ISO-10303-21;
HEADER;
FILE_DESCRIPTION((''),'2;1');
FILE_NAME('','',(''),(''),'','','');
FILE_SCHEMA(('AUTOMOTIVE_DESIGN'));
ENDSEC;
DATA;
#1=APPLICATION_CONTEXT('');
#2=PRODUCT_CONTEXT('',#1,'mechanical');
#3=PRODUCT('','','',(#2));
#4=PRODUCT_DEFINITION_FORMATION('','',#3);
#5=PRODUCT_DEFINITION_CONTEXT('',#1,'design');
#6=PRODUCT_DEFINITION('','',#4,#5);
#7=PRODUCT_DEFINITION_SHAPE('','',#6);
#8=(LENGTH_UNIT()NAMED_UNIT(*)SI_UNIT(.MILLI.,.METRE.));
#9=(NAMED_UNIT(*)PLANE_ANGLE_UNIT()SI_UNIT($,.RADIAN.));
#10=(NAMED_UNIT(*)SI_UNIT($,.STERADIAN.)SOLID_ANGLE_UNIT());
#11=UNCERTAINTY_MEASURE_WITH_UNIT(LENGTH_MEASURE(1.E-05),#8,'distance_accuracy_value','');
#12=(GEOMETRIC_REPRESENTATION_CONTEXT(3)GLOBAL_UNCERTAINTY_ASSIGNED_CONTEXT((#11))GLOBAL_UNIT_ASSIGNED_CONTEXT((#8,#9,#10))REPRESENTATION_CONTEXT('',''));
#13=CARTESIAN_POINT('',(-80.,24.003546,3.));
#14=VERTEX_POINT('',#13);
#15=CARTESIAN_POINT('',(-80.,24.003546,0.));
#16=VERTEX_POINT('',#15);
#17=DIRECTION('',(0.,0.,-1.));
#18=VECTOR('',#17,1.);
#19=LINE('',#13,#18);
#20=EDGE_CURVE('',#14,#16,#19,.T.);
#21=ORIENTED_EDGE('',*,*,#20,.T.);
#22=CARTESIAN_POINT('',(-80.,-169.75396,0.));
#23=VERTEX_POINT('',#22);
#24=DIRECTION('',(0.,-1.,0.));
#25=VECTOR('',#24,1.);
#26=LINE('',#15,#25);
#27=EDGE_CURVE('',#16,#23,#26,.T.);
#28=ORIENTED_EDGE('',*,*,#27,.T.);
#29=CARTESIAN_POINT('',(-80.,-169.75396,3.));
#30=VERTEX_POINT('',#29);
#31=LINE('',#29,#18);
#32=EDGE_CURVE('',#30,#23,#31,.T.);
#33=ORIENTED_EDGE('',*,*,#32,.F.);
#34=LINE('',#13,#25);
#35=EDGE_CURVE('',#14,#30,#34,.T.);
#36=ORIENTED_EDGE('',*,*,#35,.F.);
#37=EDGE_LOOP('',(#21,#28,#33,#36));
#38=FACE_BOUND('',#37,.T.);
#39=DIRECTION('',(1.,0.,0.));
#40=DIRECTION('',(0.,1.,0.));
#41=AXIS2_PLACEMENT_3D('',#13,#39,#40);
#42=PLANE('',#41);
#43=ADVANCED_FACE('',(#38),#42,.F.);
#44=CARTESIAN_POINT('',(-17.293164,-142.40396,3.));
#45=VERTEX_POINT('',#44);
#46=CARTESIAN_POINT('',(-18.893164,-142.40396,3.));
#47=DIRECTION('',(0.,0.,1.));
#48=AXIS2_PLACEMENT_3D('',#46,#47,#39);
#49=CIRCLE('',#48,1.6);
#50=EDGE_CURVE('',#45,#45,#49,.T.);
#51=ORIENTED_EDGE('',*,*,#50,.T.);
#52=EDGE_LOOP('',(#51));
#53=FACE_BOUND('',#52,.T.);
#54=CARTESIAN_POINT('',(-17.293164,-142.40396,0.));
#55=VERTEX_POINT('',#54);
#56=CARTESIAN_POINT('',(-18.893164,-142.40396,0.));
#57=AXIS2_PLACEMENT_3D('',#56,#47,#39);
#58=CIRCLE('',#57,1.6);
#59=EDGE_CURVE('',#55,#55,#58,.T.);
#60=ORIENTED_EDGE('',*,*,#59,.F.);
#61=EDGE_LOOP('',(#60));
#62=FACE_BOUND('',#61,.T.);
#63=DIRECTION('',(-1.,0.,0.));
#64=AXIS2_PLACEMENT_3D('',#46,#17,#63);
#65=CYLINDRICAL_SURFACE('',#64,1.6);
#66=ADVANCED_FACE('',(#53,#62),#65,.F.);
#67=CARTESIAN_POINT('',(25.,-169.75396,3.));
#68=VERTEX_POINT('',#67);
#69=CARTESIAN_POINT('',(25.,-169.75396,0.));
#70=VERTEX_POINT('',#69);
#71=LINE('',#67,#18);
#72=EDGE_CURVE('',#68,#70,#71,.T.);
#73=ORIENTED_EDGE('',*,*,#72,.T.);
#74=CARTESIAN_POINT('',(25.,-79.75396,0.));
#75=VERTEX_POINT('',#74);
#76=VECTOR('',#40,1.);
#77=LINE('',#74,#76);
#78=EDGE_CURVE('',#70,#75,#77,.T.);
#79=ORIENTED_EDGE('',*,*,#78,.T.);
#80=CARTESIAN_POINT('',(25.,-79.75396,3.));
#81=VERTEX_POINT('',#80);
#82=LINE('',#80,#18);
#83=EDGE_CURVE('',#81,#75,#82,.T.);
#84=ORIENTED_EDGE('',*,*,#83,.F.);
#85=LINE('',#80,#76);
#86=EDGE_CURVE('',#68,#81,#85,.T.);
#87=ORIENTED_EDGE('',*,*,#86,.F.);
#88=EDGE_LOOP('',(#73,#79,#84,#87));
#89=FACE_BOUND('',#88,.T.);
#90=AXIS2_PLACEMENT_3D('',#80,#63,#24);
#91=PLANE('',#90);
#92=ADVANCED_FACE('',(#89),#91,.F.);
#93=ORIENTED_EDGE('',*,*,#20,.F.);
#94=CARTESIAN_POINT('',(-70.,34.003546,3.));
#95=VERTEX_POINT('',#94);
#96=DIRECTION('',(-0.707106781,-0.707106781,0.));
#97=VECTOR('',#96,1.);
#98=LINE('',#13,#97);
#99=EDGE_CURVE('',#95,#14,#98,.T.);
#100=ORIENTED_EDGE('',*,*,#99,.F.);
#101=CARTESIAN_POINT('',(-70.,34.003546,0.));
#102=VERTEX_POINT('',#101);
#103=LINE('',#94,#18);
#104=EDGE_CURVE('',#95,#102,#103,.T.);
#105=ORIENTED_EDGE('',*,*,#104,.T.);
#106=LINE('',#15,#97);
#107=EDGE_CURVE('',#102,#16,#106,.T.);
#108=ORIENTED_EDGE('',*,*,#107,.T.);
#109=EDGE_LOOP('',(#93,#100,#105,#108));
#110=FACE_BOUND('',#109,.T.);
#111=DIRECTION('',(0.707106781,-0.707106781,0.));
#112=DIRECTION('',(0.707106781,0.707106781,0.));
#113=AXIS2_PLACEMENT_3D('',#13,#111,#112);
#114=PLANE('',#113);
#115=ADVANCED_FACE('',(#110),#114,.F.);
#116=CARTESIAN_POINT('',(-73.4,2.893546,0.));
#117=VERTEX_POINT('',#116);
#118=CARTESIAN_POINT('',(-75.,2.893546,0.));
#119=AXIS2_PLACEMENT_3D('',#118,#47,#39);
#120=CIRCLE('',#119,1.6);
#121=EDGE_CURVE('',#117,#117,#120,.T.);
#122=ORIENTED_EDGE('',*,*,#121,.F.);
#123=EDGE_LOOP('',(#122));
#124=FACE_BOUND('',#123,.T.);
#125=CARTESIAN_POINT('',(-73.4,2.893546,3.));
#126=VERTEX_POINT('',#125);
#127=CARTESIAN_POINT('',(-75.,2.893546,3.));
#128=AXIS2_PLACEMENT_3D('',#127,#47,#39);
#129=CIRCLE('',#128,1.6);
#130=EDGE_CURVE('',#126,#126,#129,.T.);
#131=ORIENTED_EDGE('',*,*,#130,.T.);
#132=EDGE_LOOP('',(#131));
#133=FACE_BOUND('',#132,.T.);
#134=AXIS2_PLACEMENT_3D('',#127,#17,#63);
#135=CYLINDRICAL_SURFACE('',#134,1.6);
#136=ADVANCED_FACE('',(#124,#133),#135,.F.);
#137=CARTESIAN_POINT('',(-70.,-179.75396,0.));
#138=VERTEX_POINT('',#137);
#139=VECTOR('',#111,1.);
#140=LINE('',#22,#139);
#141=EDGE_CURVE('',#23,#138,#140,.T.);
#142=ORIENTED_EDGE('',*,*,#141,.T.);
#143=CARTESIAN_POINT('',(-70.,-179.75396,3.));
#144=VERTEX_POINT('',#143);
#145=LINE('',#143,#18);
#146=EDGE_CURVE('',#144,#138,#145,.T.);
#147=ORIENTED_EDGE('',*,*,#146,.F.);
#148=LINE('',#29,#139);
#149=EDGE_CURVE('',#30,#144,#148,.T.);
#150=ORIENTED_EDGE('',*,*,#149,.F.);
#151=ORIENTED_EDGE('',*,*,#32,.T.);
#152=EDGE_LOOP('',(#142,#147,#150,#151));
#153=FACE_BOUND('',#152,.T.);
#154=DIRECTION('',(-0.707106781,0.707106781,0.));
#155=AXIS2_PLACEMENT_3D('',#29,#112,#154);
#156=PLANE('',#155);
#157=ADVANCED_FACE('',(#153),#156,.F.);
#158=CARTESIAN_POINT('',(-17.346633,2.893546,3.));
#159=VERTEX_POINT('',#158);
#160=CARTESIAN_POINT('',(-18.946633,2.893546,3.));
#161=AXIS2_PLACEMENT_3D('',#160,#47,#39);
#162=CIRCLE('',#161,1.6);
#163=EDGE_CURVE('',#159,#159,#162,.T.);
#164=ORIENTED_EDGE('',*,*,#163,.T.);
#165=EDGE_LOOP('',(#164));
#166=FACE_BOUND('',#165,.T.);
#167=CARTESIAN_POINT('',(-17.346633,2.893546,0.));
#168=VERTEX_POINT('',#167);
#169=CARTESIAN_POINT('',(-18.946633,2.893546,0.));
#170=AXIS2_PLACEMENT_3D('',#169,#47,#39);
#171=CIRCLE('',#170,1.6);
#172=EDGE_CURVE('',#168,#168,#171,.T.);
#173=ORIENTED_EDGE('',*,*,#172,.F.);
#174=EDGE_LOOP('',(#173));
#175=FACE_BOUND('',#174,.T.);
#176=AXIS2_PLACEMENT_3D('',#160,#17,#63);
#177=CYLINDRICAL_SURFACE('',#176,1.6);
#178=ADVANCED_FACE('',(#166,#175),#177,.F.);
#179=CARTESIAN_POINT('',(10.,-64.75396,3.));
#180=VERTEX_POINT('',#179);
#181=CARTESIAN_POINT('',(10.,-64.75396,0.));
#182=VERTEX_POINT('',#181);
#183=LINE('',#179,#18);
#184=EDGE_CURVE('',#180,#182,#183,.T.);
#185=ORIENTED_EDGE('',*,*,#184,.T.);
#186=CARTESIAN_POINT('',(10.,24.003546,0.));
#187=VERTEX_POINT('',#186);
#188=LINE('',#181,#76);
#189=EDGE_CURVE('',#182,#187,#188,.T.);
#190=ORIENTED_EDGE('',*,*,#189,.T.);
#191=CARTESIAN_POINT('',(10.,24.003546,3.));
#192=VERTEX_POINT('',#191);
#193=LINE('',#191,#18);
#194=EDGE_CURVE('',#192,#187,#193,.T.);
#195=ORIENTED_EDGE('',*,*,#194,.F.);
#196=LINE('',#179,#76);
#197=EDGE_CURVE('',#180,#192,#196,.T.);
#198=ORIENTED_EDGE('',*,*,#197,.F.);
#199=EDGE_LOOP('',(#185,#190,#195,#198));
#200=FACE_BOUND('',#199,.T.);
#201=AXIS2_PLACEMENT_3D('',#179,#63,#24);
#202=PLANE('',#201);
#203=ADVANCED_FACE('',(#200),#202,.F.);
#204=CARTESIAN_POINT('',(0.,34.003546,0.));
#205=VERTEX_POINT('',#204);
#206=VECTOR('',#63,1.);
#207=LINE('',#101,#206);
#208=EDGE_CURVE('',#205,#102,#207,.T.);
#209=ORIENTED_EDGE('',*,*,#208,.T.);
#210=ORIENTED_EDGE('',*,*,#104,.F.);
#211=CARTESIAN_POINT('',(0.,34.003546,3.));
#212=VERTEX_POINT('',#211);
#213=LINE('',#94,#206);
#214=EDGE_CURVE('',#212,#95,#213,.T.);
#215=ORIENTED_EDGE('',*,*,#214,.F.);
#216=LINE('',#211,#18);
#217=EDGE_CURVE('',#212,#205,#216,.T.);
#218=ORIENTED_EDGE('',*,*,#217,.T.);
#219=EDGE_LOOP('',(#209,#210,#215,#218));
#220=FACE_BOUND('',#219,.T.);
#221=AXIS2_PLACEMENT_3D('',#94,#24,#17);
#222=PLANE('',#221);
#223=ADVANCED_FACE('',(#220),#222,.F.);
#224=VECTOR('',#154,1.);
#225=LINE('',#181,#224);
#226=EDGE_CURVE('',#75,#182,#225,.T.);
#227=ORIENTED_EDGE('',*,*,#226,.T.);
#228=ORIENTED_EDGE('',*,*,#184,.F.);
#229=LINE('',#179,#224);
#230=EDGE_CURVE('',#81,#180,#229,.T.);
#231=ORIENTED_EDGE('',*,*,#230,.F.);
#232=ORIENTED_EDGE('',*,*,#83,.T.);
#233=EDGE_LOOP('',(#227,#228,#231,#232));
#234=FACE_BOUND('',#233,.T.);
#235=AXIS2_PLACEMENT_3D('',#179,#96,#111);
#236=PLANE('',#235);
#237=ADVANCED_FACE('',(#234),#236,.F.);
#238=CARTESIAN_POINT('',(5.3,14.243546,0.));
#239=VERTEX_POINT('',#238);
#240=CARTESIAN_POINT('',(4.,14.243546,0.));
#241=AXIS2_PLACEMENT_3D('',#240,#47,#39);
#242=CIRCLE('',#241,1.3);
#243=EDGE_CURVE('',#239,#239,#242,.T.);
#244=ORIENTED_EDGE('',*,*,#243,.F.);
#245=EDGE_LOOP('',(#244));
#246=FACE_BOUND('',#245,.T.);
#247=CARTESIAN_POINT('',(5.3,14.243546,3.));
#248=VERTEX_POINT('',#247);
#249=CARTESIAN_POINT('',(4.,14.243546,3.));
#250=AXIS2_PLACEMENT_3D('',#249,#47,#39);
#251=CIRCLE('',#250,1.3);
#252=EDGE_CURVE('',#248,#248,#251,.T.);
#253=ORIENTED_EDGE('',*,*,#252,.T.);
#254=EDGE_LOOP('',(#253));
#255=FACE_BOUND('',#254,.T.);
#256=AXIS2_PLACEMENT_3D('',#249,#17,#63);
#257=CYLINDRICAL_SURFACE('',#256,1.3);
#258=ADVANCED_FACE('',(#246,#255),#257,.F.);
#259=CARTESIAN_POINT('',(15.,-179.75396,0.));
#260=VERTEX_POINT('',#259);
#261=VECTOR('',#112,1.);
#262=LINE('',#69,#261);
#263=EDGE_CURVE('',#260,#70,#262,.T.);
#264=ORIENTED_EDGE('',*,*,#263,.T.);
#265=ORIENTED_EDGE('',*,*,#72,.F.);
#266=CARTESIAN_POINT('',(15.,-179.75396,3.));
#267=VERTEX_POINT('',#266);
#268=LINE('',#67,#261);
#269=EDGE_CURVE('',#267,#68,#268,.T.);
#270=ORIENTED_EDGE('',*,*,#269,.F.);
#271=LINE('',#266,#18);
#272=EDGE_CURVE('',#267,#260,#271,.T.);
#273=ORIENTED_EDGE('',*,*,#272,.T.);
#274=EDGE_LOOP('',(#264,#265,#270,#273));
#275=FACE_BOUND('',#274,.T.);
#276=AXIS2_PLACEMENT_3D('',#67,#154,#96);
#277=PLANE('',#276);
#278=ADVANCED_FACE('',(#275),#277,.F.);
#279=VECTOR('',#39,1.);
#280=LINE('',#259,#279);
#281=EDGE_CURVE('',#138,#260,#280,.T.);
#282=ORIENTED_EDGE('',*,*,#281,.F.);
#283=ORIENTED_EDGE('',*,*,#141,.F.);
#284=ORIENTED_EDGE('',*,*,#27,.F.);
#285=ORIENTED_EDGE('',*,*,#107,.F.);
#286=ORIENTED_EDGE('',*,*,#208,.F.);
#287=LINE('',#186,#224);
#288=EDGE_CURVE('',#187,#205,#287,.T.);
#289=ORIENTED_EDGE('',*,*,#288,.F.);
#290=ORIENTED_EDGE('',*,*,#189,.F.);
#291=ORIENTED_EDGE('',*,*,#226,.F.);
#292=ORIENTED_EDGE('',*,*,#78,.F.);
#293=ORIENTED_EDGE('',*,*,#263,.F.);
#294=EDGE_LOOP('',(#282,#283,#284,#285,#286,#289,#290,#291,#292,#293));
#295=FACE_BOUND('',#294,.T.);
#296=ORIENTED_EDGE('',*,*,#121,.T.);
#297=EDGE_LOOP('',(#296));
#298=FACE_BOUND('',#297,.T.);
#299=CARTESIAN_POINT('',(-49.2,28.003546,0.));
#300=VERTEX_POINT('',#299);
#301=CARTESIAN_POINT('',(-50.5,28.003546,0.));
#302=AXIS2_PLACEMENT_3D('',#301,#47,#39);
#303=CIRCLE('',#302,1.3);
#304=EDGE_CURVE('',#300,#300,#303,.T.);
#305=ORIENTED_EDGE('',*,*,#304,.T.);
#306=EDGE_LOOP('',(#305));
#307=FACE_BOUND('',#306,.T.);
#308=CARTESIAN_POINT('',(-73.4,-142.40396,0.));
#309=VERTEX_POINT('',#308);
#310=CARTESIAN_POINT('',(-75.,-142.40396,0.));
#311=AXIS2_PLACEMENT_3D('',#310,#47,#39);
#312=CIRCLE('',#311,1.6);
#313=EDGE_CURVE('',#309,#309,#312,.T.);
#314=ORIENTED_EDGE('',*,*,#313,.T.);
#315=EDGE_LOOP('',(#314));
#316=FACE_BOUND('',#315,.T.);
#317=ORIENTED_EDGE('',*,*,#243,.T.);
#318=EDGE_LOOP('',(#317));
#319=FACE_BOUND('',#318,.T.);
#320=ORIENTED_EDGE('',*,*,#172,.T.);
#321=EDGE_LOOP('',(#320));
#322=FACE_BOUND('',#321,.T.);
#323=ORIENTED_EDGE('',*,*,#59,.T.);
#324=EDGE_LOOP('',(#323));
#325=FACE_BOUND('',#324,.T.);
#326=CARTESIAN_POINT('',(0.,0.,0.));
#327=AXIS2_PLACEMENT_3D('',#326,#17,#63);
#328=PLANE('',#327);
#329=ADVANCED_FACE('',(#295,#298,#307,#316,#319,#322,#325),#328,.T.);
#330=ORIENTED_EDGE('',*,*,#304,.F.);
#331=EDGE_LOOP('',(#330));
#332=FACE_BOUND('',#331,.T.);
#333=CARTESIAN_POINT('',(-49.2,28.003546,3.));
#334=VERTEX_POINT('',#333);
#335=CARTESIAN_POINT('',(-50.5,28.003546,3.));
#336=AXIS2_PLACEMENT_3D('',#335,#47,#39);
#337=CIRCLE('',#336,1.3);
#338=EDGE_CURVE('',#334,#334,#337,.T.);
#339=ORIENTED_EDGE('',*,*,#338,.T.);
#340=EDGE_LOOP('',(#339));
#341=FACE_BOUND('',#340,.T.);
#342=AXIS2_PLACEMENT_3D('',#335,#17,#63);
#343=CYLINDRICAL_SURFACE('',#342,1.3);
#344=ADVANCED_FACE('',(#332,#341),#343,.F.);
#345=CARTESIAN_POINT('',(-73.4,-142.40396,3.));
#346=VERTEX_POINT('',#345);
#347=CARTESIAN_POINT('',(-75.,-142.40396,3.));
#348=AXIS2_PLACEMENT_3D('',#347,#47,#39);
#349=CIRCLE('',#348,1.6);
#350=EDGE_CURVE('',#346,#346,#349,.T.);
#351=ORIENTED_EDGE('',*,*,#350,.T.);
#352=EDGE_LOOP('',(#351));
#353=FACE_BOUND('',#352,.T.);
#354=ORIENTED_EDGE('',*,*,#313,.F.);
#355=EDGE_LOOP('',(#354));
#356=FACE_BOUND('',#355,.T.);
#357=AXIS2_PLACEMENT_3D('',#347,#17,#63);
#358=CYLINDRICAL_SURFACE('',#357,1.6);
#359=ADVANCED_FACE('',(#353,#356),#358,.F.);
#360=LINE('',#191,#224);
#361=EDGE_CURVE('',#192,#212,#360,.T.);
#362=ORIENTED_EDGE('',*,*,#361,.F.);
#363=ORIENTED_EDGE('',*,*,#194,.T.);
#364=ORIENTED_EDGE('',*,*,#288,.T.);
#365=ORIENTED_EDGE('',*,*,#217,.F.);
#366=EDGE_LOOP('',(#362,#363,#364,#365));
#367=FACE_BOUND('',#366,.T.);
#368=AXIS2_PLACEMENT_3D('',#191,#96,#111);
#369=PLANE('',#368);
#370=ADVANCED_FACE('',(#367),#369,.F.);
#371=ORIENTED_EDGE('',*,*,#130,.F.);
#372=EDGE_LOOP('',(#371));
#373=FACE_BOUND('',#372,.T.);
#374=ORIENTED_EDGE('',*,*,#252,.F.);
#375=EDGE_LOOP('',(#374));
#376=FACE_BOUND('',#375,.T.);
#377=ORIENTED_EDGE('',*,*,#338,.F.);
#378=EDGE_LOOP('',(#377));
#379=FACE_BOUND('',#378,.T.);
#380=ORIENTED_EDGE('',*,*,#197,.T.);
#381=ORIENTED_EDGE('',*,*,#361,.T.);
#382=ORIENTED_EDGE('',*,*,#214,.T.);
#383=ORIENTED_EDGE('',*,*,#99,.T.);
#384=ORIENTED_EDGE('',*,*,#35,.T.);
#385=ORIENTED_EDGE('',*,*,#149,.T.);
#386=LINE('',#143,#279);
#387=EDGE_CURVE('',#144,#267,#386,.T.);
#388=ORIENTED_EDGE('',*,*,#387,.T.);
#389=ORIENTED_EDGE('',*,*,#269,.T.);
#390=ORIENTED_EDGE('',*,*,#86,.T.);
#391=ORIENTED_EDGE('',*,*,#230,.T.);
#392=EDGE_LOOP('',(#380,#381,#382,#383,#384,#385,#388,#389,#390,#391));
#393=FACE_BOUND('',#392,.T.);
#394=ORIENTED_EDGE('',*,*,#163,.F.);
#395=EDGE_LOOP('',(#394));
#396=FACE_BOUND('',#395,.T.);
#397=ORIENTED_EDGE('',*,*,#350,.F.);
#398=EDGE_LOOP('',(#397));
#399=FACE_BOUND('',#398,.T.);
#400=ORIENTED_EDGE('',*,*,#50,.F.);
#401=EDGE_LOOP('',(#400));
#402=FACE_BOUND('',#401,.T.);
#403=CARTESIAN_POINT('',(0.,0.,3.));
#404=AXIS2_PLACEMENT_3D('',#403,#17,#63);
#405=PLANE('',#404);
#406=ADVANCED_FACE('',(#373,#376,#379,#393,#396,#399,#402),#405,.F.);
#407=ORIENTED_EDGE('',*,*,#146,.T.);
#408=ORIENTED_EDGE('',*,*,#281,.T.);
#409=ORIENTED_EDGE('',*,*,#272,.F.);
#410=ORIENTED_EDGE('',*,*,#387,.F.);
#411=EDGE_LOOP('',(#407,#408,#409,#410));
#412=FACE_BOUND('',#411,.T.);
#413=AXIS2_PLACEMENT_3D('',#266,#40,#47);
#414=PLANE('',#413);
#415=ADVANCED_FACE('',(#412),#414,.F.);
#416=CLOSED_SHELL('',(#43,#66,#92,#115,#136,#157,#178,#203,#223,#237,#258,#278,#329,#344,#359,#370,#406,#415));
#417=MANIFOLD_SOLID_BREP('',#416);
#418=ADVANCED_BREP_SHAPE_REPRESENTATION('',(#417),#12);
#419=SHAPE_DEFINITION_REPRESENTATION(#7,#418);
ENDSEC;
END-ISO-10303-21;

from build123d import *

# Parameters (mm, degrees)
SKETCH1_R      = 1.6
SKETCH1_R_2    = 1.3
EXTRUDE1_DEPTH = 3


with BuildPart() as part:
    # Sketch1 → Extrude1 (new body)
    with BuildSketch(Plane.XY):
        Polygon((-70, 34.003545781), (0, 34.003545781), (10, 24.003545781), (10, -64.753959847), (25, -79.753959847), (25, -169.753959847), (15, -179.753959847), (0, -179.753959847), (-70, -179.753959847), (-80, -169.753959847), (-80, 24.003545781), align=None)
        with Locations((-75, 2.893545781)):
            Circle(SKETCH1_R, mode=Mode.SUBTRACT)
        with Locations((-18.946632771, 2.893545781)):
            Circle(SKETCH1_R, mode=Mode.SUBTRACT)
        with Locations((-75, -142.403959847)):
            Circle(SKETCH1_R, mode=Mode.SUBTRACT)
        with Locations((-18.893164364, -142.403959847)):
            Circle(SKETCH1_R, mode=Mode.SUBTRACT)
        with Locations((4, 14.243545781)):
            Circle(SKETCH1_R_2, mode=Mode.SUBTRACT)
        with Locations((-50.5, 28.003545781)):
            Circle(SKETCH1_R_2, mode=Mode.SUBTRACT)
    extrude(amount=EXTRUDE1_DEPTH)


solid = part.part
